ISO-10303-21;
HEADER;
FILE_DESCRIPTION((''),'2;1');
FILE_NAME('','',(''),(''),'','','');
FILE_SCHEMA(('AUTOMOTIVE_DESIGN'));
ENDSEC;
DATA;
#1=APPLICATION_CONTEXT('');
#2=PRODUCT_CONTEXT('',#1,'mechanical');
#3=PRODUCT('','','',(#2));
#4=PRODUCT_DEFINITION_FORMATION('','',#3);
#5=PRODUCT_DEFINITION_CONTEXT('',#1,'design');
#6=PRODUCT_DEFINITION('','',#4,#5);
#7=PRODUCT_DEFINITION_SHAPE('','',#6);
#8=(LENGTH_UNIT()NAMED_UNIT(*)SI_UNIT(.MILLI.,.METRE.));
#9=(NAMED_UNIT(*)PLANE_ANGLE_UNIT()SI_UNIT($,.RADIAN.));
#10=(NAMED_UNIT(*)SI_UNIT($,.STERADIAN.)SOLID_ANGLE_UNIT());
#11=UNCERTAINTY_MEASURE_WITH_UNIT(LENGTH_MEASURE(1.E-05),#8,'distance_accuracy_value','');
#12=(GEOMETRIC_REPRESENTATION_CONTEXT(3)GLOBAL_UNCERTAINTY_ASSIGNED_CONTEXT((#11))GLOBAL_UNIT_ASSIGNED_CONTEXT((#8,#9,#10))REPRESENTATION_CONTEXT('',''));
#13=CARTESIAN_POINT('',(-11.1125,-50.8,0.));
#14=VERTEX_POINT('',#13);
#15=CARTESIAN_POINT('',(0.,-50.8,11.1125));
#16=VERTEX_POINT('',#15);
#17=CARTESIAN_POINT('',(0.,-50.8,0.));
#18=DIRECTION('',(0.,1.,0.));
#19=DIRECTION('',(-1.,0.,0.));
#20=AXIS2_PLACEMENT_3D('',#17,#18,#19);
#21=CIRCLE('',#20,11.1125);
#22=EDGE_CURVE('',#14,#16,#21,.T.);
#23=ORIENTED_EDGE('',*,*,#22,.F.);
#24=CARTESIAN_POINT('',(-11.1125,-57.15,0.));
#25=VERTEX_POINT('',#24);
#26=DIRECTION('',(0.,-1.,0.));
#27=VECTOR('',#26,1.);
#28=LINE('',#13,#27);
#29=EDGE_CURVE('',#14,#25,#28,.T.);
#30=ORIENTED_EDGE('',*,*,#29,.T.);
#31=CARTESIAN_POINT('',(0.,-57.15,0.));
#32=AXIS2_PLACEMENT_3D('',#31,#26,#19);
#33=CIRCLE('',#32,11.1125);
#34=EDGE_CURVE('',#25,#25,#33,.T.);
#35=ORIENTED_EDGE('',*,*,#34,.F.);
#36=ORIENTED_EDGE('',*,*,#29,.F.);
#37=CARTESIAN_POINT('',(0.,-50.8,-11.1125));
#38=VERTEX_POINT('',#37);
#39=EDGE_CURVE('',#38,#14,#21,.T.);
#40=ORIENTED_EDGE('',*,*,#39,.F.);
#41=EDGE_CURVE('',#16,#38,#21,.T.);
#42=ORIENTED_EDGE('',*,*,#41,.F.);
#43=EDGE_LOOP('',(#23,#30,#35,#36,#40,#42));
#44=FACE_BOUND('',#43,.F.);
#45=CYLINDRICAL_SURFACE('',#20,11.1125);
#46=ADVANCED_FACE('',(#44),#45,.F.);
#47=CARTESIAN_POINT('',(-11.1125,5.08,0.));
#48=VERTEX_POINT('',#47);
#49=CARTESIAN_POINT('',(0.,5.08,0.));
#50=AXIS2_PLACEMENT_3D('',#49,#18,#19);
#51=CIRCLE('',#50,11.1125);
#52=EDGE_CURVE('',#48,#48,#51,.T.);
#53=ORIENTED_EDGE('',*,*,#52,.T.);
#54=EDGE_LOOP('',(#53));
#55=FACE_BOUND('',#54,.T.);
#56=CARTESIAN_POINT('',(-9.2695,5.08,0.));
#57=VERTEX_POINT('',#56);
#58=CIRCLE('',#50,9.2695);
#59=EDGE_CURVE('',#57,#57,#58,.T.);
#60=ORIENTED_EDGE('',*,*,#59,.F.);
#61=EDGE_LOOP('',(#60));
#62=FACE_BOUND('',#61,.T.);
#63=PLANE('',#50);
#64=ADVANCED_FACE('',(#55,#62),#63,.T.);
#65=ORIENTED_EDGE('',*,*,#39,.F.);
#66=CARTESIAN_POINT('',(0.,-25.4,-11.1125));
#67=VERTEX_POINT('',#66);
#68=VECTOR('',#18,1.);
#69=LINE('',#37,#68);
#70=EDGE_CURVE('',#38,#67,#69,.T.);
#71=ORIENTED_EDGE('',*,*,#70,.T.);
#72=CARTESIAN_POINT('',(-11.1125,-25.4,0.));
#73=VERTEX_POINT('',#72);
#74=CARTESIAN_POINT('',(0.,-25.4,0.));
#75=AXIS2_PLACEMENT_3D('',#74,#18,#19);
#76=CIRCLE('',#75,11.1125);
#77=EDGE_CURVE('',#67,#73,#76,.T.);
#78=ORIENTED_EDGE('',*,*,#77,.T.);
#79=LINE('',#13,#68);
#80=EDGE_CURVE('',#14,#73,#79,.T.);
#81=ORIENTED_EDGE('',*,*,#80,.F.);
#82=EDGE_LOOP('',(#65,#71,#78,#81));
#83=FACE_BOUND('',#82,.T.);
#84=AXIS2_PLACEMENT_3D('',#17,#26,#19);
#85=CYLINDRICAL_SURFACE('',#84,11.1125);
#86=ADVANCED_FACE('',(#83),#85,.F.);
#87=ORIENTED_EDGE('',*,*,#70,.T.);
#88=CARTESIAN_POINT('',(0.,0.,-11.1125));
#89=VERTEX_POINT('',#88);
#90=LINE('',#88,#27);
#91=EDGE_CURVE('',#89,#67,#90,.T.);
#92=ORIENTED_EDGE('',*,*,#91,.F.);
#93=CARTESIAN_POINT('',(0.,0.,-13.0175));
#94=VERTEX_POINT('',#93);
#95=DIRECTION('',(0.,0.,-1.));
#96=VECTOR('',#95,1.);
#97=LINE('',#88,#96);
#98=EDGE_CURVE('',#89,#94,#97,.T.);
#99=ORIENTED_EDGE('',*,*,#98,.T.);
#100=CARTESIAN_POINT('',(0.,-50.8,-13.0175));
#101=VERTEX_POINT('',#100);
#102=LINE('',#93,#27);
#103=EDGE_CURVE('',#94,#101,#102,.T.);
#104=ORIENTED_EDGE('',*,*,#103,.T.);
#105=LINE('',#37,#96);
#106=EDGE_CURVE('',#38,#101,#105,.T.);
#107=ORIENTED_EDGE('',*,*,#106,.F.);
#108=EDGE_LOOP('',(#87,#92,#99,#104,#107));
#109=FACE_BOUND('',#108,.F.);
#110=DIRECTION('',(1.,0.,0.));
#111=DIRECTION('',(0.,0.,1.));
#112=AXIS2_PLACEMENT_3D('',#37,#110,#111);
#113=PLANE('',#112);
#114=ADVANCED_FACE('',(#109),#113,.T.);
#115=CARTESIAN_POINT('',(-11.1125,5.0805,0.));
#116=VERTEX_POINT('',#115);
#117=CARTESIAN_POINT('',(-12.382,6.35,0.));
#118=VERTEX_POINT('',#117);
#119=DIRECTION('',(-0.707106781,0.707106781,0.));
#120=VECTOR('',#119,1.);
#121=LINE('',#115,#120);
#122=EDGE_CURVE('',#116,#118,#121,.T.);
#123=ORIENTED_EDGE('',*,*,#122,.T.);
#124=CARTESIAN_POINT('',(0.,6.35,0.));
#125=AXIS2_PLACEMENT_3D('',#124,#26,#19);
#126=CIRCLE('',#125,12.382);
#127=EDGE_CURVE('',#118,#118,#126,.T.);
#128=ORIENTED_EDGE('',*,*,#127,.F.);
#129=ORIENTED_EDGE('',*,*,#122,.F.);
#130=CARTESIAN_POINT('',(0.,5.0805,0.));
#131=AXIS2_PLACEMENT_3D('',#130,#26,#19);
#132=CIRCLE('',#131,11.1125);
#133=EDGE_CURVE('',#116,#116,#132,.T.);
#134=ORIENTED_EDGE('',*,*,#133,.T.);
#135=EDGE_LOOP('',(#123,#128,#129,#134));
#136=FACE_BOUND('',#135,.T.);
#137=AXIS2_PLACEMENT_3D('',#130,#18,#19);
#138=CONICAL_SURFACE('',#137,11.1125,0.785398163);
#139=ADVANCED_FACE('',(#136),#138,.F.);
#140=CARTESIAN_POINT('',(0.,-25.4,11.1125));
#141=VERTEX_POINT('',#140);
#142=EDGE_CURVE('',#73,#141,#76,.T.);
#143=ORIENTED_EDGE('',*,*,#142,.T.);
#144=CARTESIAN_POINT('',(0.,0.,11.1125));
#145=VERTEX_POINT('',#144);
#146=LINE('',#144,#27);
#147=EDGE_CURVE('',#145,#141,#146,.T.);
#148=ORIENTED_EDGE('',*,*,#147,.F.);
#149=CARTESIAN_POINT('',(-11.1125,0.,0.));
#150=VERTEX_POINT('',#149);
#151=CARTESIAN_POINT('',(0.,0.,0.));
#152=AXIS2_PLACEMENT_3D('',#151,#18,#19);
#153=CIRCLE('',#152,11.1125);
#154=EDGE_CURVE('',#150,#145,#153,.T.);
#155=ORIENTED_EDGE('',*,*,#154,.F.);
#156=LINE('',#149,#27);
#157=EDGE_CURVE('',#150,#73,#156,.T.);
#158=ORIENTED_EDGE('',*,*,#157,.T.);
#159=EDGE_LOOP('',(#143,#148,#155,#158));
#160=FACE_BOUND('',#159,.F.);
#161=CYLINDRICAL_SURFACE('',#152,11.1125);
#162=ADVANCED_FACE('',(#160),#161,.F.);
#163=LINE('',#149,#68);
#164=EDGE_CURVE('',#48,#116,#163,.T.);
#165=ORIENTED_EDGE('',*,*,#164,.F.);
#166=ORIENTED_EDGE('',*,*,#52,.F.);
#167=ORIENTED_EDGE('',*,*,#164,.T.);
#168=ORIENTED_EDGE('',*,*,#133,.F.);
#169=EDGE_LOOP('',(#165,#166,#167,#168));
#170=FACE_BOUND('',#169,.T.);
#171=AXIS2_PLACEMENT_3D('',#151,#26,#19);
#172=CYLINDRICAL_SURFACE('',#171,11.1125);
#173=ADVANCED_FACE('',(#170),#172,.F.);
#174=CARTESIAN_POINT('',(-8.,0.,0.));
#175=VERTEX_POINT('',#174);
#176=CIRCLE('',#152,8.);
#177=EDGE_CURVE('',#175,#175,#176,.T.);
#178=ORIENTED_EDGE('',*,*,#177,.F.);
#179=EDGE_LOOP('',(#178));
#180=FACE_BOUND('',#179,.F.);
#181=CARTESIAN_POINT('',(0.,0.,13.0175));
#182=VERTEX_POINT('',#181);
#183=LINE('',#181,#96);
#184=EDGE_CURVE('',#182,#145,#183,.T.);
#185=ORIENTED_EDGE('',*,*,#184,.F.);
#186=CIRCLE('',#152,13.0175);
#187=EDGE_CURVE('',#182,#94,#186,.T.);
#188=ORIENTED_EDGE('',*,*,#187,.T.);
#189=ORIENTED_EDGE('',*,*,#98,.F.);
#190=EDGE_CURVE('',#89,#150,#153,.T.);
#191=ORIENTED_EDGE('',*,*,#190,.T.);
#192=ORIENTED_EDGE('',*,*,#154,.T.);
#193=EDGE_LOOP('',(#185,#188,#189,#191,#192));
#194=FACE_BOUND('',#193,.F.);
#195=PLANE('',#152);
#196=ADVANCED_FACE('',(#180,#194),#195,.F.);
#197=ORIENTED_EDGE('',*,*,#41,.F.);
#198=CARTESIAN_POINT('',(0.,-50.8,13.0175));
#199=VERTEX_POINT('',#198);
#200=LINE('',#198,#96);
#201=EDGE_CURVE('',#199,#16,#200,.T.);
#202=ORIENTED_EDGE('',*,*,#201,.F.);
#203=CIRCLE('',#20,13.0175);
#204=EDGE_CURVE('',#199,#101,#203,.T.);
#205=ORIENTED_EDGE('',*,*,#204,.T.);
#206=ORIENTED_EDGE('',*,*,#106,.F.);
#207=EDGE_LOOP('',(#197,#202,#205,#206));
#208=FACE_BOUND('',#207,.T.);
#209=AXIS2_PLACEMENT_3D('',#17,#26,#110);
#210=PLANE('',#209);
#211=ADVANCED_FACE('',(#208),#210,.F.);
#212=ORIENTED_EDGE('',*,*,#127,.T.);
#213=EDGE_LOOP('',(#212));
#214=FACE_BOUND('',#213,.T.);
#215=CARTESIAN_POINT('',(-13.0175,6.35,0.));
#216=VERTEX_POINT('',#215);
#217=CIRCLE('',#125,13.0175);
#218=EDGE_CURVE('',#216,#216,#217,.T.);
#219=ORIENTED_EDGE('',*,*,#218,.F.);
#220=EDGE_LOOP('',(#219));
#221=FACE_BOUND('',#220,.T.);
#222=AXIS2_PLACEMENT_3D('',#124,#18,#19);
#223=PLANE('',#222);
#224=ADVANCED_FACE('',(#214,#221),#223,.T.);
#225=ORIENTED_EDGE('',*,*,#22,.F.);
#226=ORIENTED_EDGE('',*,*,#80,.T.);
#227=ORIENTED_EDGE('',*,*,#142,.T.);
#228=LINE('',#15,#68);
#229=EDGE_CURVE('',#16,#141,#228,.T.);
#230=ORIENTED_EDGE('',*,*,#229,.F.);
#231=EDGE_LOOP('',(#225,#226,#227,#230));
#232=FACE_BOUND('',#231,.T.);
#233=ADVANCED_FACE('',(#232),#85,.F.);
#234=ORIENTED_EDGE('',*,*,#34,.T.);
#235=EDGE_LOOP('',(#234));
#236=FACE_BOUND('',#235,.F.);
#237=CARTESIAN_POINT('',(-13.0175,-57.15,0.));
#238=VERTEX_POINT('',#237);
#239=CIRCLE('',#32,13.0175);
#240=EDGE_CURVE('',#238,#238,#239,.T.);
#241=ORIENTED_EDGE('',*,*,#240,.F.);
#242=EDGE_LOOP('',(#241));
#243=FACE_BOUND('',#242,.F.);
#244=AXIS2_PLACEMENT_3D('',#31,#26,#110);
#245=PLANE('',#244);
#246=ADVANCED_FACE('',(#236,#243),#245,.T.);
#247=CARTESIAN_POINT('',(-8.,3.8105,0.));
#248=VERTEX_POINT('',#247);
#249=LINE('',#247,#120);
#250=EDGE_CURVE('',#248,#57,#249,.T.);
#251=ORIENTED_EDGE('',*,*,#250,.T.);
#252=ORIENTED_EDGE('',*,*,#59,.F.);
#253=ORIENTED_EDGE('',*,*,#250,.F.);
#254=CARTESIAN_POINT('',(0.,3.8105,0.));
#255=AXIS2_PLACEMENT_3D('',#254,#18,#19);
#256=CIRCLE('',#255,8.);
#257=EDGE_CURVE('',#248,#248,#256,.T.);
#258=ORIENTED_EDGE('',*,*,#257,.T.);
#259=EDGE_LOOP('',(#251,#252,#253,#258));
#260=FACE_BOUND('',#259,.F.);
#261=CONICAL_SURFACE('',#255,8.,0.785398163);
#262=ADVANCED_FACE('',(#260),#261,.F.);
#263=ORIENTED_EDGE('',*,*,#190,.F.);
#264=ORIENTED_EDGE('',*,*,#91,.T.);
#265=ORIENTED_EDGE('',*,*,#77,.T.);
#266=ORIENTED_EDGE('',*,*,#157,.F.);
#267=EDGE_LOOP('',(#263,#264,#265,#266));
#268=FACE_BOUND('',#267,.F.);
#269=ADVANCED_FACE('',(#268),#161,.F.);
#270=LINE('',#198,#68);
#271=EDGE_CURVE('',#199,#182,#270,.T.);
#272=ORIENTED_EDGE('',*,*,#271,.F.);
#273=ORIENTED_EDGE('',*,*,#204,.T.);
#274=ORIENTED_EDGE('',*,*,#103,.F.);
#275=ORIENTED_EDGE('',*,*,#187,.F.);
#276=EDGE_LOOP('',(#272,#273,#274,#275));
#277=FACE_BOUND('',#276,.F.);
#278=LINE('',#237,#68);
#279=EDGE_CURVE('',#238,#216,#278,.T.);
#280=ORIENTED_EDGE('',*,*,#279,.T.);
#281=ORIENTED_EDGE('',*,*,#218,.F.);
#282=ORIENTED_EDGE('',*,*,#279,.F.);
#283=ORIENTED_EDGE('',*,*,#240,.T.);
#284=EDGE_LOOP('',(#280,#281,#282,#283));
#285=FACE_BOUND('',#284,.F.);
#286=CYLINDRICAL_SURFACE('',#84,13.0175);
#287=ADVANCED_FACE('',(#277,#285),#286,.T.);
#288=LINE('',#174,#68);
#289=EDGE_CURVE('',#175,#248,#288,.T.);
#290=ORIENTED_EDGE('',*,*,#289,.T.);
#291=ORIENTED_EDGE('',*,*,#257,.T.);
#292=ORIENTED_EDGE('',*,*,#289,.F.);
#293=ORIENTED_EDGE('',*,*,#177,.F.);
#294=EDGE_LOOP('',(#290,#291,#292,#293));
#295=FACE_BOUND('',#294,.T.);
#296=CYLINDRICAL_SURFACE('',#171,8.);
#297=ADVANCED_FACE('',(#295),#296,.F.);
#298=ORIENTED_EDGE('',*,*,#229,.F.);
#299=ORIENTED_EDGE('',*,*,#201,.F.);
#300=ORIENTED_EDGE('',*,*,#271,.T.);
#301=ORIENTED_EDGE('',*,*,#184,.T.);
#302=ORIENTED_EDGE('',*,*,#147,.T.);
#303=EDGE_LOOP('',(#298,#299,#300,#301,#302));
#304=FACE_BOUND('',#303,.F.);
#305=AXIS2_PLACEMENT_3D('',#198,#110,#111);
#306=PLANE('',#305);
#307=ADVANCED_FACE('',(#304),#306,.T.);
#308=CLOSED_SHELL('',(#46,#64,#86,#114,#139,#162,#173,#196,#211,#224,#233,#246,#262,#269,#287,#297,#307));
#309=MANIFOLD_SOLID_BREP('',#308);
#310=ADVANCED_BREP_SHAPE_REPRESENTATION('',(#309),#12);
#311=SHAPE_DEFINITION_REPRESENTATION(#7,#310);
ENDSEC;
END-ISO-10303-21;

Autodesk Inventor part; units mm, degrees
ref_plane "YZ Plane" through (0, 0, 0) normal (1, 0, 0) x (0, 1, 0)
ref_plane "XZ Plane" through (0, 0, 0) normal (0, 1, 0) x (-1, 0, 0)
ref_plane "XY Plane" through (0, 0, 0) normal (0, 0, 1) x (1, 0, 0)
sketch "Sketch1" plane through (0, 0, 0) normal (0, 1, 0) x (-1, 0, 0)
  circle A0 centre (0, 0) radius 13.0175
  circle A1 centre (0, 0) radius 11.1125
  line L0 (0, 13.0175) -> (0, 11.1125)
  line L1 (0, -11.1125) -> (0, -13.0175)
  circle A2 centre (0, 0) radius 8
  dimension "d0" = 26.035
  dimension "d1" = 22.225
  dimension "d6" = 16
extrude "Extrusion1" add sketch "Sketch1" along normal blind 6.35 contours A0 L1 A1 L0 | L0 A1 L1 A0
extrude "Extrusion2" add sketch "Sketch1" against normal blind 25.4 contours A0 L1 A1 L0 picked at (12.2737, -0.9656)
mirror "Mirror1" about plane through (-6.5087, -25.4, 0) normal (0, -1, 0) of "Extrusion2", "Extrusion1"
extrude "Extrusion3" add sketch "Sketch1" along normal blind 5.08 contours A1
chamfer "Chamfer1" distance 1.27 angle 45 2 edges at (11.1125, 6.35, 0) (8, 5.08, 0)
properties part number "Electronics HousingV2_3DPrint"
